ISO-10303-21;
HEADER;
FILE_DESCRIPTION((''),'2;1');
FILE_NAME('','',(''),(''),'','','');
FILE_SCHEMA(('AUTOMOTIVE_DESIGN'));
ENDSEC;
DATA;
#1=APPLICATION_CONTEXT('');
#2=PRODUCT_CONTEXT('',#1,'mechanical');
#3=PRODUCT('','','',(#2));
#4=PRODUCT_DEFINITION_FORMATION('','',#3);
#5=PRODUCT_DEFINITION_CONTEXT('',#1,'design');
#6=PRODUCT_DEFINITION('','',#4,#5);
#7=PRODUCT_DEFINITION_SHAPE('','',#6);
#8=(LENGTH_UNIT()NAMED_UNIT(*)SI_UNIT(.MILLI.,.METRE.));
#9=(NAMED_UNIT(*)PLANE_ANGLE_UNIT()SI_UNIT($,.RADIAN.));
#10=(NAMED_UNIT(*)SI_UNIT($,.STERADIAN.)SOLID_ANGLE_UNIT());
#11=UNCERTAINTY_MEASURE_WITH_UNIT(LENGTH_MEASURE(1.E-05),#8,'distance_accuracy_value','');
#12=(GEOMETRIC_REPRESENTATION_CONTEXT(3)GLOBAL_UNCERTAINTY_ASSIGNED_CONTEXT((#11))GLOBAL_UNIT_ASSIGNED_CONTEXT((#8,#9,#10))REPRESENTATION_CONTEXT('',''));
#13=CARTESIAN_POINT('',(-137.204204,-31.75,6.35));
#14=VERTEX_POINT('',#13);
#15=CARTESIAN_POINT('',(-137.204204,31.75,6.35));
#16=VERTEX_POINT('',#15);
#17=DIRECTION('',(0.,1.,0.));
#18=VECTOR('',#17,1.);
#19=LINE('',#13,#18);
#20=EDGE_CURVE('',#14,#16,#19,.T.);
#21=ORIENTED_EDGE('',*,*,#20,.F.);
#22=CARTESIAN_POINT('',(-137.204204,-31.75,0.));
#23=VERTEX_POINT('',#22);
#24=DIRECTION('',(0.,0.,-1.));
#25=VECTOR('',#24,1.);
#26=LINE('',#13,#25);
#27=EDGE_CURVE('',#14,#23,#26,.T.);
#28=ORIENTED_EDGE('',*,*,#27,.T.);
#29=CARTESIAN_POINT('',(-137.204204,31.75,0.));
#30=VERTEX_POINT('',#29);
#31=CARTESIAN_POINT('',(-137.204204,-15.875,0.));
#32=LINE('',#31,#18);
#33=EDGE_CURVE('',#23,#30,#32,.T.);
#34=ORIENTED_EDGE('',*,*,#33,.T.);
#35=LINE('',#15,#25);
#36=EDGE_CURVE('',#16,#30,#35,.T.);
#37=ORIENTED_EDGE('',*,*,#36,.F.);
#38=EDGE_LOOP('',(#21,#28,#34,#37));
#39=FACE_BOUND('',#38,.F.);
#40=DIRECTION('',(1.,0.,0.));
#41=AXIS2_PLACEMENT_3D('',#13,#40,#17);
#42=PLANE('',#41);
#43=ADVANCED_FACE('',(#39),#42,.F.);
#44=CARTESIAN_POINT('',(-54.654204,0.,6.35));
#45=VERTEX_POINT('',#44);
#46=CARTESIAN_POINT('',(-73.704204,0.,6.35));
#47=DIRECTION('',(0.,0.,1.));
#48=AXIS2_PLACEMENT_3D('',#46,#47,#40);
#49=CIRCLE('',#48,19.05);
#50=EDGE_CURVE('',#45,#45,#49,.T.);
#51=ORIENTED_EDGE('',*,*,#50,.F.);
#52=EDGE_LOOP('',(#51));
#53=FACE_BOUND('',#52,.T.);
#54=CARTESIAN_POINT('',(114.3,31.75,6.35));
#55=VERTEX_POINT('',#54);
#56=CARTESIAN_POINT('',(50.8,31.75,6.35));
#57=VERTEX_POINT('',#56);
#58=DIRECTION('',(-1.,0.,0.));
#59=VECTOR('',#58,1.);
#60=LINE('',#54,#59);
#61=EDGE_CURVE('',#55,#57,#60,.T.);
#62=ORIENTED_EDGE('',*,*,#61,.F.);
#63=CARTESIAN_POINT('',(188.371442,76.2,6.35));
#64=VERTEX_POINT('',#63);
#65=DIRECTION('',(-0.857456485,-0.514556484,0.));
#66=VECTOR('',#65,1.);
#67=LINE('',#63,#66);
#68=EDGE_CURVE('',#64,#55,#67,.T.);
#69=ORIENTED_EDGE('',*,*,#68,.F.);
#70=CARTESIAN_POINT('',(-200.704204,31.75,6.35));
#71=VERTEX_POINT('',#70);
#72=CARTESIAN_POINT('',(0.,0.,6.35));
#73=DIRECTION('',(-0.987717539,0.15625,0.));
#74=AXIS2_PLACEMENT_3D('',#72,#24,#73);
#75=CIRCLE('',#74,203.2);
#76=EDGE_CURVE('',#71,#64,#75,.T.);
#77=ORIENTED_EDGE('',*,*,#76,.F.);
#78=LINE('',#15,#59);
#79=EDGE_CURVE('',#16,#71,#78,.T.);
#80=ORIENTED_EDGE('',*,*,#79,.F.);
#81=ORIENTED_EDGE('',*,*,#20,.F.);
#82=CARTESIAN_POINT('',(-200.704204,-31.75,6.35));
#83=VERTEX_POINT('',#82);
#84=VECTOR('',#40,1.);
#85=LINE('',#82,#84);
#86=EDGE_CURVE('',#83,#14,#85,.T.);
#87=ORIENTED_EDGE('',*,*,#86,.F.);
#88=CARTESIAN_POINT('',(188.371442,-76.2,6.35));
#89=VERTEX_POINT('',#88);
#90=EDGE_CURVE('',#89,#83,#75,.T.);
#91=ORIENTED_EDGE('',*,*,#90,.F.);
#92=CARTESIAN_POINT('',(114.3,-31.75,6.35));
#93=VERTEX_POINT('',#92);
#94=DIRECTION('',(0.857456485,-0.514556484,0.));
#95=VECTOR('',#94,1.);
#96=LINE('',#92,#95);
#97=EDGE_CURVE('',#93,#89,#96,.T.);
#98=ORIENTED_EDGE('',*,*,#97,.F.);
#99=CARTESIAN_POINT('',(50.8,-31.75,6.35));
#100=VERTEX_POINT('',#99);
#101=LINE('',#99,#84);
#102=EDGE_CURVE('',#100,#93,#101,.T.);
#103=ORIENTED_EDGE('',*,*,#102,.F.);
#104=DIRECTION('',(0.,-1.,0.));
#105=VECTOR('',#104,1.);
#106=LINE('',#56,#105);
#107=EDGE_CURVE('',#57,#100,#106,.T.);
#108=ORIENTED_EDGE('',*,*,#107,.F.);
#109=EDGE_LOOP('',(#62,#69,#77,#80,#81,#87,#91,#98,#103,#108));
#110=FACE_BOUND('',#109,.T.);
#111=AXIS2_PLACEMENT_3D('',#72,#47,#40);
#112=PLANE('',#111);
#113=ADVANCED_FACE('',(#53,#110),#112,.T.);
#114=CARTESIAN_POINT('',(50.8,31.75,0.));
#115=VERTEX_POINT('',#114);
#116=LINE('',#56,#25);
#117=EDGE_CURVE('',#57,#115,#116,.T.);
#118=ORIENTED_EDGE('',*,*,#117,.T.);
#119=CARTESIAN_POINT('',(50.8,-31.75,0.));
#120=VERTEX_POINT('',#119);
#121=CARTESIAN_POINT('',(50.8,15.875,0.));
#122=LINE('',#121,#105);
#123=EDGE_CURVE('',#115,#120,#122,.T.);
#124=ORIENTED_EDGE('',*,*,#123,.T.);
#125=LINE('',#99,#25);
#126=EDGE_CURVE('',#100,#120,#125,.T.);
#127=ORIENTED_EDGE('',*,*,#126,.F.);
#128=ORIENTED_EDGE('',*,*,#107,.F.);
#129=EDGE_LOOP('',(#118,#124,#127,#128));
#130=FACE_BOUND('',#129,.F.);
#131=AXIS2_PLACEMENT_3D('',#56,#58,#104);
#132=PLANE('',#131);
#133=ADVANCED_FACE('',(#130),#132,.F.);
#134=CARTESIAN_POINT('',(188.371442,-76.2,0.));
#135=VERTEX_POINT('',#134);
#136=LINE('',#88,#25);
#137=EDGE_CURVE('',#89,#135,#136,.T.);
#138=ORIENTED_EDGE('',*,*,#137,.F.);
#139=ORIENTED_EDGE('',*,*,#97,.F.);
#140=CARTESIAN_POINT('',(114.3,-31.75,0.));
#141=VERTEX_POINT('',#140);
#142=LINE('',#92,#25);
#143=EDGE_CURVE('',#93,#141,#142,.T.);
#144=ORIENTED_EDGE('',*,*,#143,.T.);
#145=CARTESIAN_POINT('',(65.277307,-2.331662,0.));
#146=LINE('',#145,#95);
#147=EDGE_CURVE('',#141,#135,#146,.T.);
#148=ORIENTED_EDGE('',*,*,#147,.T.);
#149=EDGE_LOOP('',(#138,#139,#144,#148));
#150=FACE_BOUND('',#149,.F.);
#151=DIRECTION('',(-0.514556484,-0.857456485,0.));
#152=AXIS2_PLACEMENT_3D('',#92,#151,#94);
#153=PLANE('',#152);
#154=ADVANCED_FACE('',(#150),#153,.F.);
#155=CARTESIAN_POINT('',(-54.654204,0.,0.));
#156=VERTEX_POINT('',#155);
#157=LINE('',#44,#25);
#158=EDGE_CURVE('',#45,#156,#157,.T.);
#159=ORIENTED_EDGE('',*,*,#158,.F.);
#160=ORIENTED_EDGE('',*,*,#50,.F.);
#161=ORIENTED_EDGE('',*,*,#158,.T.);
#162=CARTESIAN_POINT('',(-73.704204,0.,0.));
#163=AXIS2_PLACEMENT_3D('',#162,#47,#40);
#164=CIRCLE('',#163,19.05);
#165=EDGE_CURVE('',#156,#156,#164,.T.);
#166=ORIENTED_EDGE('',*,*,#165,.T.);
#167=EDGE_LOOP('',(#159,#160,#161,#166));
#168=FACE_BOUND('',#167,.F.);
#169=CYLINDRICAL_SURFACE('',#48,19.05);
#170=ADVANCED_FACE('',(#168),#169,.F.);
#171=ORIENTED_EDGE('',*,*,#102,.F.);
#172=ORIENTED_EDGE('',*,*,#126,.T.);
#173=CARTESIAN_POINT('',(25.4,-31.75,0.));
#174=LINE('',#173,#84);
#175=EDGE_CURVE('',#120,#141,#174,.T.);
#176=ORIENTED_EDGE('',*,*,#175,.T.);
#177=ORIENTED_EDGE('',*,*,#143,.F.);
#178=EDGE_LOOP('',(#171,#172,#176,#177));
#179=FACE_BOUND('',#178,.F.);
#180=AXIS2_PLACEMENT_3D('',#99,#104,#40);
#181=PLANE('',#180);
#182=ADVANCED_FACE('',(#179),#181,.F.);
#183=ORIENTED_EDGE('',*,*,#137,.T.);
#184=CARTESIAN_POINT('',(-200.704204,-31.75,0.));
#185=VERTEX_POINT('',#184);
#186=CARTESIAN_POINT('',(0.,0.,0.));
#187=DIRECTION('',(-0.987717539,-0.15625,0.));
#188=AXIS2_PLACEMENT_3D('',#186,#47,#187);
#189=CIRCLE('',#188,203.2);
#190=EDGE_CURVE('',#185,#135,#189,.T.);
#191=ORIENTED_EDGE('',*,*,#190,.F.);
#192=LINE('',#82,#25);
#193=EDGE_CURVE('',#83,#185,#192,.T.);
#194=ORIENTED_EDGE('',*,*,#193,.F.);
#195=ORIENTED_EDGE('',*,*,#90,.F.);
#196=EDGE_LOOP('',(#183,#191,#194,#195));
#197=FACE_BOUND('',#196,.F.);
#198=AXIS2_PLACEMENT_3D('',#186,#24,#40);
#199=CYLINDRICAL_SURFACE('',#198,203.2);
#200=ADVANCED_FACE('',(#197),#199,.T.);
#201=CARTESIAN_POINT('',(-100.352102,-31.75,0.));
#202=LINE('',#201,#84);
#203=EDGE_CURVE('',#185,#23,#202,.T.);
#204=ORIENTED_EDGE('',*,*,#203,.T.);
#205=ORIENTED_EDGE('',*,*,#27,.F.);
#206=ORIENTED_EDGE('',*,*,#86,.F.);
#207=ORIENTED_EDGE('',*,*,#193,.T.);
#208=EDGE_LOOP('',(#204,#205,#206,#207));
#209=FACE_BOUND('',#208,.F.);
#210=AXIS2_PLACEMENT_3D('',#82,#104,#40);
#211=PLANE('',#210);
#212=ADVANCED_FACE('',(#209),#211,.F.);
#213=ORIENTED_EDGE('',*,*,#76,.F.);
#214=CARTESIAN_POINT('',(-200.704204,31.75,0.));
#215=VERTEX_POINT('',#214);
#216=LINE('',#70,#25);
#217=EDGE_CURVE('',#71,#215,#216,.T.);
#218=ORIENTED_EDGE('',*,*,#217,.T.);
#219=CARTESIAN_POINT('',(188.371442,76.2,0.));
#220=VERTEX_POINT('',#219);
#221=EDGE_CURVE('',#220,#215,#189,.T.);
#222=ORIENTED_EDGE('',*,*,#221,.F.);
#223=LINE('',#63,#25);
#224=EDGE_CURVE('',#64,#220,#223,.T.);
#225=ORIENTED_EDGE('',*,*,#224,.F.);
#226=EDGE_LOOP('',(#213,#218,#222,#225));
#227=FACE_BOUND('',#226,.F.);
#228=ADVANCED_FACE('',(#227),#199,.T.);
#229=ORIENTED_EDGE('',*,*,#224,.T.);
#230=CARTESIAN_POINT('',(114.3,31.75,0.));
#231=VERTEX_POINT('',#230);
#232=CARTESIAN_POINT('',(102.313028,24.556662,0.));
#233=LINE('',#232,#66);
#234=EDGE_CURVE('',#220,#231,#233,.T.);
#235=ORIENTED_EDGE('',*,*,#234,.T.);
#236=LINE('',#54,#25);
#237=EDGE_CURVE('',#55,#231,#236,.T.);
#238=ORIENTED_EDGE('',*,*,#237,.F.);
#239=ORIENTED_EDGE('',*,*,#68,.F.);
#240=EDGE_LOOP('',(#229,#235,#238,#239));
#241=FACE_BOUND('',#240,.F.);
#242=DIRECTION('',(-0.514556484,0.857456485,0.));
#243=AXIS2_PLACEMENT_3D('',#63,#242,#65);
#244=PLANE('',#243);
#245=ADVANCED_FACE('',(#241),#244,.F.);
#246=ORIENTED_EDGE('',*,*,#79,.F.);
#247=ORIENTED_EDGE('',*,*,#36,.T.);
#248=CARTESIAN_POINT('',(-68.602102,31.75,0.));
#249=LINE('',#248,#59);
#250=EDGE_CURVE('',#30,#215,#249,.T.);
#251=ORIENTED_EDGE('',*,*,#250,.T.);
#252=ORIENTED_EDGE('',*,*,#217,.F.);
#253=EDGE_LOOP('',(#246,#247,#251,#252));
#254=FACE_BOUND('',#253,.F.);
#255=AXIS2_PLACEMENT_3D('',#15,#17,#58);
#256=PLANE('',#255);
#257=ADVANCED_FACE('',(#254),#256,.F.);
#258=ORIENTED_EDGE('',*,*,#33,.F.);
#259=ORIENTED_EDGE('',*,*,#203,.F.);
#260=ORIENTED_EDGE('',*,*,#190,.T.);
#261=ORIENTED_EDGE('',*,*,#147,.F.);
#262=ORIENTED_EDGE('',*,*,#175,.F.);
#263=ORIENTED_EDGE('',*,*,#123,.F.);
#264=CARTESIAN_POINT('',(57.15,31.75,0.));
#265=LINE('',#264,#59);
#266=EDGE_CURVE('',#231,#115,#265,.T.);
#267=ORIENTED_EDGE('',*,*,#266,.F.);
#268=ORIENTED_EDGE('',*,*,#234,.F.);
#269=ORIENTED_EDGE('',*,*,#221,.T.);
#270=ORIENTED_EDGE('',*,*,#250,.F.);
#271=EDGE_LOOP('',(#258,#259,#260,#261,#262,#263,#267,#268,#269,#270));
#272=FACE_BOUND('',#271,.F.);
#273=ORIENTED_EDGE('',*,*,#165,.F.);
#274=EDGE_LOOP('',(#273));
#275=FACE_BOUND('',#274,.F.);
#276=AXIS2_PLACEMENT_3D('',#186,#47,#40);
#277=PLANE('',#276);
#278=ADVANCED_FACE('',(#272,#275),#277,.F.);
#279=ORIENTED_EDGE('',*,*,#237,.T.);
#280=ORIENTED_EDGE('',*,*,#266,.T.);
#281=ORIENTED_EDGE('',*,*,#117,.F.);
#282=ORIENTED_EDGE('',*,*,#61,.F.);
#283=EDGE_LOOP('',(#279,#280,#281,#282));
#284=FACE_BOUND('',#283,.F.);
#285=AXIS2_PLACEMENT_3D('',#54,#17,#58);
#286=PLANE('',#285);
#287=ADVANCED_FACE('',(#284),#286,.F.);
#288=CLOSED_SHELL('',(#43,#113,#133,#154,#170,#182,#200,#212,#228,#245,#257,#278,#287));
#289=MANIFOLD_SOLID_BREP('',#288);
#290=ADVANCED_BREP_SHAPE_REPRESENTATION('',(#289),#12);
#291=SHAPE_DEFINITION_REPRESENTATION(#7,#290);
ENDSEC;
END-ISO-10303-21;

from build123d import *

# Parameters (mm, degrees)
F0_R     = 203.2
F1_DEPTH = 6.35
F3_DEPTH = 6.351
F5_DEPTH = 6.351
F6_R     = 19.05
F7_DEPTH = 6.351


with BuildPart() as f1:
    # F0 (on Top) → F1 (new body)
    with BuildSketch(Plane.XY):
        Circle(F0_R)
    extrude(amount=F1_DEPTH)

    # F2 (on face) → F3 (cut, through all)
    with BuildSketch(Plane.XY.offset(6.35)):
        with BuildLine():
            ThreePointArc((-200.704204, 31.75), (-203.2, 0), (-200.704204, -31.75))
            Line((-200.704204, -31.75), (-137.204204, -31.75))
            Line((-137.204204, -31.75), (-137.204204, 31.75))
            Line((-137.204204, 31.75), (-200.704204, 31.75))
        make_face()
    extrude(amount=-F3_DEPTH, mode=Mode.SUBTRACT)

    # F4 (on face) → F5 (cut, through all)
    with BuildSketch(Plane.XY.offset(6.35)):
        Polygon((50.8, 31.75), (50.8, -31.75), (114.3, -31.75), (188.371442, -76.2), (188.371442, 76.2), (114.3, 31.75), align=None)
        with BuildLine():
            Line((188.371442, 76.2), (188.371442, -76.2))
            ThreePointArc((188.371442, -76.2), (203.2, 0), (188.371442, 76.2))
        make_face()
    extrude(amount=-F5_DEPTH, mode=Mode.SUBTRACT)

    # F6 (on face) → F7 (cut, through all)
    with BuildSketch(Plane.XY.offset(6.35)):
        with Locations((-73.704204, 0)):
            Circle(F6_R)
    extrude(amount=-F7_DEPTH, mode=Mode.SUBTRACT)


solid = f1.part
